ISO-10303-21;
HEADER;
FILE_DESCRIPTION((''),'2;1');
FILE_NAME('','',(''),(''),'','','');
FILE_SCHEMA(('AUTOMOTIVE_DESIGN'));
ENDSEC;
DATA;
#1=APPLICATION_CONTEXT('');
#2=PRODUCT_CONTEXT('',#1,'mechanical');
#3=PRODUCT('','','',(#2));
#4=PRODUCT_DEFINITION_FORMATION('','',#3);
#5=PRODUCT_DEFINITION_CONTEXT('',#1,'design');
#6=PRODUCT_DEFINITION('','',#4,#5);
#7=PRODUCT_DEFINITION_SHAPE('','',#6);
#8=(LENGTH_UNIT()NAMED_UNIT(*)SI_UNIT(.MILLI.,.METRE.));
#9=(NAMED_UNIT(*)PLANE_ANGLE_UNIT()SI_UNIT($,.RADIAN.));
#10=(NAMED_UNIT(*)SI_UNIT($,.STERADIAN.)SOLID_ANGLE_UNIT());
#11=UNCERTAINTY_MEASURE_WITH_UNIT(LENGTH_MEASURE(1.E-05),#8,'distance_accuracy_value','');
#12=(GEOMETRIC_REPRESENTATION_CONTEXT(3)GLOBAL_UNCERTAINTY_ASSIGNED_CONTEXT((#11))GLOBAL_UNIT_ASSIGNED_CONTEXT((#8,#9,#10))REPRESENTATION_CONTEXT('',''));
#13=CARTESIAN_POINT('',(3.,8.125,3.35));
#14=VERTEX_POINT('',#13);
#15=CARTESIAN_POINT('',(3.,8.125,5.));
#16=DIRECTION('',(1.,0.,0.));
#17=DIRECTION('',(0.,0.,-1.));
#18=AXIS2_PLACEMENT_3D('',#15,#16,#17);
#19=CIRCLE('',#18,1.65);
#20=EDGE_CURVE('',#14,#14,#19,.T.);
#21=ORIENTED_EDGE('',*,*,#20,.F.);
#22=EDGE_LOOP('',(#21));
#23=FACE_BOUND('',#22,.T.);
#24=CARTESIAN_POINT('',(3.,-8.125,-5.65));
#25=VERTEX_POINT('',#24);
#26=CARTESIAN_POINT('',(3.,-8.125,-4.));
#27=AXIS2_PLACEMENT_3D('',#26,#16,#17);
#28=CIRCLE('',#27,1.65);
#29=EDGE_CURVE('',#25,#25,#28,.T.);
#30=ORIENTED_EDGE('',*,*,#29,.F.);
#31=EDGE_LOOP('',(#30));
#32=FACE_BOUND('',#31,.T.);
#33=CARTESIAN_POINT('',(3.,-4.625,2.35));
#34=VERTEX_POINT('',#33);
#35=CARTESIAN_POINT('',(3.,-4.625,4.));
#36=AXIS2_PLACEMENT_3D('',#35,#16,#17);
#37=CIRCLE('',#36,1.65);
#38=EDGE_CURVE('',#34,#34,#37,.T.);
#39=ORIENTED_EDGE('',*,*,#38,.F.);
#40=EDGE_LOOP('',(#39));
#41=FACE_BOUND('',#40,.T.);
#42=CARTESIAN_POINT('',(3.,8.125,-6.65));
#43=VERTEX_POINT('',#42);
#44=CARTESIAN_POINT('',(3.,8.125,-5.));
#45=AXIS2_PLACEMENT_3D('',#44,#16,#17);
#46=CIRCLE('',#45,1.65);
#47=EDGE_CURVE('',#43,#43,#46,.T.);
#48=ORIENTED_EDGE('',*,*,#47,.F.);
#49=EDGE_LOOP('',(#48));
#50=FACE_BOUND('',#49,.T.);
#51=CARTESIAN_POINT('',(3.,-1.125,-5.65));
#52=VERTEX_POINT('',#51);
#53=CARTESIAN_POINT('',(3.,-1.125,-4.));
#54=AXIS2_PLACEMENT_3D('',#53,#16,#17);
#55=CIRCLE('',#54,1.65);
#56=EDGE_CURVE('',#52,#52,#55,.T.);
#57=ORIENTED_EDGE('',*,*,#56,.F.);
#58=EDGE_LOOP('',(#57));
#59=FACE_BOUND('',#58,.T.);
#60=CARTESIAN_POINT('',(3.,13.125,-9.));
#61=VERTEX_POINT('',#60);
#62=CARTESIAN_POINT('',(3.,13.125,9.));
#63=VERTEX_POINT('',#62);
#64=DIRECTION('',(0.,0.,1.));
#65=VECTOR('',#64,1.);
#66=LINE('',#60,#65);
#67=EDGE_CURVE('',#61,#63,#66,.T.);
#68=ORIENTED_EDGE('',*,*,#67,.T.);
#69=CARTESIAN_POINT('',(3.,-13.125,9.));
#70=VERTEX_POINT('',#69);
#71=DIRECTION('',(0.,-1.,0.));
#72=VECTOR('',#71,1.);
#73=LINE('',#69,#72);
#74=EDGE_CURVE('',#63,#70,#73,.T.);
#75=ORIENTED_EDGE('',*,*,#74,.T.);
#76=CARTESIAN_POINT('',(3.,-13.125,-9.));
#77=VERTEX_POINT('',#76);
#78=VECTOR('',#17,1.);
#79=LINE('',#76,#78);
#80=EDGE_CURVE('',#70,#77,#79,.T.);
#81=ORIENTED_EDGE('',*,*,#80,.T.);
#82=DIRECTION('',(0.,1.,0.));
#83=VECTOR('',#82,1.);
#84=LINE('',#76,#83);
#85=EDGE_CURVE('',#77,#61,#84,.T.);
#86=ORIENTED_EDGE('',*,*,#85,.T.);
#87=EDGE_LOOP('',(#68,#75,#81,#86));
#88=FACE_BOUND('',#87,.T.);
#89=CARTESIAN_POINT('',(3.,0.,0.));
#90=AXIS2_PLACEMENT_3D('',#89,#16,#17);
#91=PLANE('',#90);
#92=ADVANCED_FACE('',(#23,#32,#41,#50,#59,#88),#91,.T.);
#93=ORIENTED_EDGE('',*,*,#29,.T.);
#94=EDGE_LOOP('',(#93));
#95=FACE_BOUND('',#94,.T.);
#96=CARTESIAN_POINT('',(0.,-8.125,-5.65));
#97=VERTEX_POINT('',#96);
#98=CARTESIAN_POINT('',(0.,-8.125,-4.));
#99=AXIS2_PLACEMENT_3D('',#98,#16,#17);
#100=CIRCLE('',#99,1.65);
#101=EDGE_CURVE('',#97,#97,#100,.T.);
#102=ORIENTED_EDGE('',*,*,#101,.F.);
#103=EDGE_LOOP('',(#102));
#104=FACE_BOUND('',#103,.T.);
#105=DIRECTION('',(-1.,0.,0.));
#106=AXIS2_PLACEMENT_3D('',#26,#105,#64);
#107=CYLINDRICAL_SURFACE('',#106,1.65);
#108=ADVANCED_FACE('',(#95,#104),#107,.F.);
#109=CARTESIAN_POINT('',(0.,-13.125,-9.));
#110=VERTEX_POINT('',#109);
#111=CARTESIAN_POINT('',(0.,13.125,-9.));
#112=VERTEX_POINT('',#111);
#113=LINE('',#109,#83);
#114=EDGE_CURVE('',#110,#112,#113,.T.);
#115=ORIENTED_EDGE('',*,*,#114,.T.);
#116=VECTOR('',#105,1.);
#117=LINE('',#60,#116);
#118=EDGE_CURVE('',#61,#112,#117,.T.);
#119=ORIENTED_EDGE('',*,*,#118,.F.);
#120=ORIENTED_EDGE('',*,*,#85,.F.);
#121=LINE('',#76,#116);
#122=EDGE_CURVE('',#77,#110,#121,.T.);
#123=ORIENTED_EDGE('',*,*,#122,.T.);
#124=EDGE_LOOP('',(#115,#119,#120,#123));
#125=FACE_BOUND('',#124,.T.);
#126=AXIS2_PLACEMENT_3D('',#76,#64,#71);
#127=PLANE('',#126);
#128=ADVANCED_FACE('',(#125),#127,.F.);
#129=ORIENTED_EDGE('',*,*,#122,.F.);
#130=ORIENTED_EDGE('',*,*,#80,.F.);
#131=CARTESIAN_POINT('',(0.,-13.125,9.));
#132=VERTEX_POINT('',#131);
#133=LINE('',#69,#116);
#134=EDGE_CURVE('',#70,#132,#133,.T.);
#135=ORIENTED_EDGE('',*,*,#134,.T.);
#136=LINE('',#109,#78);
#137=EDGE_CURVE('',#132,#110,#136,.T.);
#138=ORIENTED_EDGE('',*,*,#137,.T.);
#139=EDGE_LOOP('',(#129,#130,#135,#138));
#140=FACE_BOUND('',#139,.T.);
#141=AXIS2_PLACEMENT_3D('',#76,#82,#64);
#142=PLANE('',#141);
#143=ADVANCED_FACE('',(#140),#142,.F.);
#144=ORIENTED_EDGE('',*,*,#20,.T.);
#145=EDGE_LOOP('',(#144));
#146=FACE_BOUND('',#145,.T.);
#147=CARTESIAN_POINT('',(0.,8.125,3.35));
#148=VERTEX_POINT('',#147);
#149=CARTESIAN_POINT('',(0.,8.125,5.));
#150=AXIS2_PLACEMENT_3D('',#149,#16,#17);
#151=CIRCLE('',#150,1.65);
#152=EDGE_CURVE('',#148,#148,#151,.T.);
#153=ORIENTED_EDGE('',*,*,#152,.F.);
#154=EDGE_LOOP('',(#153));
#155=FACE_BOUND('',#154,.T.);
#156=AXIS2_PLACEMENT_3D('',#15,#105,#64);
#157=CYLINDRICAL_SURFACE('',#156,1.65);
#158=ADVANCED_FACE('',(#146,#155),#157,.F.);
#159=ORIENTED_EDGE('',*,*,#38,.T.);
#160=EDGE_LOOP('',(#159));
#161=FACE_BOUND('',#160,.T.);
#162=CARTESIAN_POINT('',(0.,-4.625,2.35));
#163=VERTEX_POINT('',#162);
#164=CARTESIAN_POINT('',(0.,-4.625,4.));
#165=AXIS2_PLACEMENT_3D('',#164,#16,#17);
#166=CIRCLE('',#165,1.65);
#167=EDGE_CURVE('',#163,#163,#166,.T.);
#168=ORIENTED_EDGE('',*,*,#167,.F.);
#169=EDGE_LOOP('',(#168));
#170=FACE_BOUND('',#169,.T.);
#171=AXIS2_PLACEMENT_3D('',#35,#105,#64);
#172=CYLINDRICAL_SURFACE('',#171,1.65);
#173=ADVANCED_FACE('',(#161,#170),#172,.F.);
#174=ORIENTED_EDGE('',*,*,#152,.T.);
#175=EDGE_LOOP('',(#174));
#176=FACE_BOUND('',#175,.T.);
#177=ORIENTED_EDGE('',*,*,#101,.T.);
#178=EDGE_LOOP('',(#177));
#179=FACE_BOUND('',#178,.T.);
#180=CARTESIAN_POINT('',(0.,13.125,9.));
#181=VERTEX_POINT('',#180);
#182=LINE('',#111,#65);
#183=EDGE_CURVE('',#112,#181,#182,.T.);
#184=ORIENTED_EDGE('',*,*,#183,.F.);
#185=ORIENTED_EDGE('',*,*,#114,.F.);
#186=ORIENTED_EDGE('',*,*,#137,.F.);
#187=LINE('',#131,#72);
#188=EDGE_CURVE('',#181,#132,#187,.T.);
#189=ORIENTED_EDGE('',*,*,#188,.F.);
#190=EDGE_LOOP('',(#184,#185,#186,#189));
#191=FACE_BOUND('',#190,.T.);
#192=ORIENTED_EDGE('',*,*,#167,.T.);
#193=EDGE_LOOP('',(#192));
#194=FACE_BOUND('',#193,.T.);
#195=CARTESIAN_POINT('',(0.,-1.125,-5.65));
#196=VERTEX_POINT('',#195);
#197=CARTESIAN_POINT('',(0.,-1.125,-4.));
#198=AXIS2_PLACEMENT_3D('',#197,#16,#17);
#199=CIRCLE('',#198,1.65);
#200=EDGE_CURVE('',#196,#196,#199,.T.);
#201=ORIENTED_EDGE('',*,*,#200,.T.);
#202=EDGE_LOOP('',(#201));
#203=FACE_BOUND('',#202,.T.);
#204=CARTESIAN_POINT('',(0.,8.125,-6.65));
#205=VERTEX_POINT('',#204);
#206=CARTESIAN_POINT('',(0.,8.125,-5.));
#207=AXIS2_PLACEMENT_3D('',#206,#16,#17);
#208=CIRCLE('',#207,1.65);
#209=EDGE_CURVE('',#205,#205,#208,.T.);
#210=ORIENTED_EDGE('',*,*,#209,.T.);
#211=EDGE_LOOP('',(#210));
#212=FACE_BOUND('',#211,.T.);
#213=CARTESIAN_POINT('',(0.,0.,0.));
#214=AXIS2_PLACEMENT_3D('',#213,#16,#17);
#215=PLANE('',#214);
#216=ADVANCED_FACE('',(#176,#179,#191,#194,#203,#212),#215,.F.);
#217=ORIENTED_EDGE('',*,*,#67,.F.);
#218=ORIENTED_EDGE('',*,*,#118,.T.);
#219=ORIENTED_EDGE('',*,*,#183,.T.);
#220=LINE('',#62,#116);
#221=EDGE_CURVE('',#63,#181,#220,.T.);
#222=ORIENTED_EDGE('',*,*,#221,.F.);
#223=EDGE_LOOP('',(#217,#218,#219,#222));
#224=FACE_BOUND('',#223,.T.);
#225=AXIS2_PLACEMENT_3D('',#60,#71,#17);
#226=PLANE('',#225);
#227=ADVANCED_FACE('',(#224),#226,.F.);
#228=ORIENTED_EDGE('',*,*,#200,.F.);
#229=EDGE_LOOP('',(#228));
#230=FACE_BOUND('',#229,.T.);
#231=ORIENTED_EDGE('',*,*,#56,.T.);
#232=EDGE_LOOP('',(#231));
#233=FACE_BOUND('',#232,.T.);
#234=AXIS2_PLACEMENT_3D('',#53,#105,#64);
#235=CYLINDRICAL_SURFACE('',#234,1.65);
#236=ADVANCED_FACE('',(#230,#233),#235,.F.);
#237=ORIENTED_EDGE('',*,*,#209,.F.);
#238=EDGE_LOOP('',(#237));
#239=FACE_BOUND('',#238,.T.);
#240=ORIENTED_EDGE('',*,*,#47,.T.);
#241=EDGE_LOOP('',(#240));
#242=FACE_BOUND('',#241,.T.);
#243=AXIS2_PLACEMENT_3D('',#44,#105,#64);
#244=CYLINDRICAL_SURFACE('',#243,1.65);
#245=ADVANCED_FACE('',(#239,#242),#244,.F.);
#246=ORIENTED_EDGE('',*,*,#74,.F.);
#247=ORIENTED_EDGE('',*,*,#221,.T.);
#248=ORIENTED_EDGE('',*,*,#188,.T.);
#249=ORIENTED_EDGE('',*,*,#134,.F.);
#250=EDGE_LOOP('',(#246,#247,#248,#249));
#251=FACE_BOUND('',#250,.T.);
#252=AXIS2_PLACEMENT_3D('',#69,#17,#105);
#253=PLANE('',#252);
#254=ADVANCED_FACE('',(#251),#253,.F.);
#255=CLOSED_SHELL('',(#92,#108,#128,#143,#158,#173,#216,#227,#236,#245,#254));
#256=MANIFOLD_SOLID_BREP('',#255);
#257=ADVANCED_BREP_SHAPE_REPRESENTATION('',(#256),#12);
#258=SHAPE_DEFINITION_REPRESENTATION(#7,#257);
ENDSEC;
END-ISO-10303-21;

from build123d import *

# Parameters (mm, degrees)
SKETCH_1_W      = 18
SKETCH_1_H      = 26.25
SKETCH_1_R      = 1.65
EXTRUDE_1_DEPTH = 3


with BuildPart() as part:
    # 草图1 → 凸台-拉伸1 (new body)
    with BuildSketch(Plane(origin=(0, 0, 0), x_dir=(0, 0, -1), z_dir=(1, 0, 0))):
        Rectangle(SKETCH_1_W, SKETCH_1_H)
        with Locations((4, -1.125)):
            Circle(SKETCH_1_R, mode=Mode.SUBTRACT)
        with Locations((4, -8.125)):
            Circle(SKETCH_1_R, mode=Mode.SUBTRACT)
        with Locations((-4, -4.625)):
            Circle(SKETCH_1_R, mode=Mode.SUBTRACT)
        with Locations((-5, 8.125)):
            Circle(SKETCH_1_R, mode=Mode.SUBTRACT)
        with Locations((5, 8.125)):
            Circle(SKETCH_1_R, mode=Mode.SUBTRACT)
    extrude(amount=EXTRUDE_1_DEPTH)


solid = part.part
